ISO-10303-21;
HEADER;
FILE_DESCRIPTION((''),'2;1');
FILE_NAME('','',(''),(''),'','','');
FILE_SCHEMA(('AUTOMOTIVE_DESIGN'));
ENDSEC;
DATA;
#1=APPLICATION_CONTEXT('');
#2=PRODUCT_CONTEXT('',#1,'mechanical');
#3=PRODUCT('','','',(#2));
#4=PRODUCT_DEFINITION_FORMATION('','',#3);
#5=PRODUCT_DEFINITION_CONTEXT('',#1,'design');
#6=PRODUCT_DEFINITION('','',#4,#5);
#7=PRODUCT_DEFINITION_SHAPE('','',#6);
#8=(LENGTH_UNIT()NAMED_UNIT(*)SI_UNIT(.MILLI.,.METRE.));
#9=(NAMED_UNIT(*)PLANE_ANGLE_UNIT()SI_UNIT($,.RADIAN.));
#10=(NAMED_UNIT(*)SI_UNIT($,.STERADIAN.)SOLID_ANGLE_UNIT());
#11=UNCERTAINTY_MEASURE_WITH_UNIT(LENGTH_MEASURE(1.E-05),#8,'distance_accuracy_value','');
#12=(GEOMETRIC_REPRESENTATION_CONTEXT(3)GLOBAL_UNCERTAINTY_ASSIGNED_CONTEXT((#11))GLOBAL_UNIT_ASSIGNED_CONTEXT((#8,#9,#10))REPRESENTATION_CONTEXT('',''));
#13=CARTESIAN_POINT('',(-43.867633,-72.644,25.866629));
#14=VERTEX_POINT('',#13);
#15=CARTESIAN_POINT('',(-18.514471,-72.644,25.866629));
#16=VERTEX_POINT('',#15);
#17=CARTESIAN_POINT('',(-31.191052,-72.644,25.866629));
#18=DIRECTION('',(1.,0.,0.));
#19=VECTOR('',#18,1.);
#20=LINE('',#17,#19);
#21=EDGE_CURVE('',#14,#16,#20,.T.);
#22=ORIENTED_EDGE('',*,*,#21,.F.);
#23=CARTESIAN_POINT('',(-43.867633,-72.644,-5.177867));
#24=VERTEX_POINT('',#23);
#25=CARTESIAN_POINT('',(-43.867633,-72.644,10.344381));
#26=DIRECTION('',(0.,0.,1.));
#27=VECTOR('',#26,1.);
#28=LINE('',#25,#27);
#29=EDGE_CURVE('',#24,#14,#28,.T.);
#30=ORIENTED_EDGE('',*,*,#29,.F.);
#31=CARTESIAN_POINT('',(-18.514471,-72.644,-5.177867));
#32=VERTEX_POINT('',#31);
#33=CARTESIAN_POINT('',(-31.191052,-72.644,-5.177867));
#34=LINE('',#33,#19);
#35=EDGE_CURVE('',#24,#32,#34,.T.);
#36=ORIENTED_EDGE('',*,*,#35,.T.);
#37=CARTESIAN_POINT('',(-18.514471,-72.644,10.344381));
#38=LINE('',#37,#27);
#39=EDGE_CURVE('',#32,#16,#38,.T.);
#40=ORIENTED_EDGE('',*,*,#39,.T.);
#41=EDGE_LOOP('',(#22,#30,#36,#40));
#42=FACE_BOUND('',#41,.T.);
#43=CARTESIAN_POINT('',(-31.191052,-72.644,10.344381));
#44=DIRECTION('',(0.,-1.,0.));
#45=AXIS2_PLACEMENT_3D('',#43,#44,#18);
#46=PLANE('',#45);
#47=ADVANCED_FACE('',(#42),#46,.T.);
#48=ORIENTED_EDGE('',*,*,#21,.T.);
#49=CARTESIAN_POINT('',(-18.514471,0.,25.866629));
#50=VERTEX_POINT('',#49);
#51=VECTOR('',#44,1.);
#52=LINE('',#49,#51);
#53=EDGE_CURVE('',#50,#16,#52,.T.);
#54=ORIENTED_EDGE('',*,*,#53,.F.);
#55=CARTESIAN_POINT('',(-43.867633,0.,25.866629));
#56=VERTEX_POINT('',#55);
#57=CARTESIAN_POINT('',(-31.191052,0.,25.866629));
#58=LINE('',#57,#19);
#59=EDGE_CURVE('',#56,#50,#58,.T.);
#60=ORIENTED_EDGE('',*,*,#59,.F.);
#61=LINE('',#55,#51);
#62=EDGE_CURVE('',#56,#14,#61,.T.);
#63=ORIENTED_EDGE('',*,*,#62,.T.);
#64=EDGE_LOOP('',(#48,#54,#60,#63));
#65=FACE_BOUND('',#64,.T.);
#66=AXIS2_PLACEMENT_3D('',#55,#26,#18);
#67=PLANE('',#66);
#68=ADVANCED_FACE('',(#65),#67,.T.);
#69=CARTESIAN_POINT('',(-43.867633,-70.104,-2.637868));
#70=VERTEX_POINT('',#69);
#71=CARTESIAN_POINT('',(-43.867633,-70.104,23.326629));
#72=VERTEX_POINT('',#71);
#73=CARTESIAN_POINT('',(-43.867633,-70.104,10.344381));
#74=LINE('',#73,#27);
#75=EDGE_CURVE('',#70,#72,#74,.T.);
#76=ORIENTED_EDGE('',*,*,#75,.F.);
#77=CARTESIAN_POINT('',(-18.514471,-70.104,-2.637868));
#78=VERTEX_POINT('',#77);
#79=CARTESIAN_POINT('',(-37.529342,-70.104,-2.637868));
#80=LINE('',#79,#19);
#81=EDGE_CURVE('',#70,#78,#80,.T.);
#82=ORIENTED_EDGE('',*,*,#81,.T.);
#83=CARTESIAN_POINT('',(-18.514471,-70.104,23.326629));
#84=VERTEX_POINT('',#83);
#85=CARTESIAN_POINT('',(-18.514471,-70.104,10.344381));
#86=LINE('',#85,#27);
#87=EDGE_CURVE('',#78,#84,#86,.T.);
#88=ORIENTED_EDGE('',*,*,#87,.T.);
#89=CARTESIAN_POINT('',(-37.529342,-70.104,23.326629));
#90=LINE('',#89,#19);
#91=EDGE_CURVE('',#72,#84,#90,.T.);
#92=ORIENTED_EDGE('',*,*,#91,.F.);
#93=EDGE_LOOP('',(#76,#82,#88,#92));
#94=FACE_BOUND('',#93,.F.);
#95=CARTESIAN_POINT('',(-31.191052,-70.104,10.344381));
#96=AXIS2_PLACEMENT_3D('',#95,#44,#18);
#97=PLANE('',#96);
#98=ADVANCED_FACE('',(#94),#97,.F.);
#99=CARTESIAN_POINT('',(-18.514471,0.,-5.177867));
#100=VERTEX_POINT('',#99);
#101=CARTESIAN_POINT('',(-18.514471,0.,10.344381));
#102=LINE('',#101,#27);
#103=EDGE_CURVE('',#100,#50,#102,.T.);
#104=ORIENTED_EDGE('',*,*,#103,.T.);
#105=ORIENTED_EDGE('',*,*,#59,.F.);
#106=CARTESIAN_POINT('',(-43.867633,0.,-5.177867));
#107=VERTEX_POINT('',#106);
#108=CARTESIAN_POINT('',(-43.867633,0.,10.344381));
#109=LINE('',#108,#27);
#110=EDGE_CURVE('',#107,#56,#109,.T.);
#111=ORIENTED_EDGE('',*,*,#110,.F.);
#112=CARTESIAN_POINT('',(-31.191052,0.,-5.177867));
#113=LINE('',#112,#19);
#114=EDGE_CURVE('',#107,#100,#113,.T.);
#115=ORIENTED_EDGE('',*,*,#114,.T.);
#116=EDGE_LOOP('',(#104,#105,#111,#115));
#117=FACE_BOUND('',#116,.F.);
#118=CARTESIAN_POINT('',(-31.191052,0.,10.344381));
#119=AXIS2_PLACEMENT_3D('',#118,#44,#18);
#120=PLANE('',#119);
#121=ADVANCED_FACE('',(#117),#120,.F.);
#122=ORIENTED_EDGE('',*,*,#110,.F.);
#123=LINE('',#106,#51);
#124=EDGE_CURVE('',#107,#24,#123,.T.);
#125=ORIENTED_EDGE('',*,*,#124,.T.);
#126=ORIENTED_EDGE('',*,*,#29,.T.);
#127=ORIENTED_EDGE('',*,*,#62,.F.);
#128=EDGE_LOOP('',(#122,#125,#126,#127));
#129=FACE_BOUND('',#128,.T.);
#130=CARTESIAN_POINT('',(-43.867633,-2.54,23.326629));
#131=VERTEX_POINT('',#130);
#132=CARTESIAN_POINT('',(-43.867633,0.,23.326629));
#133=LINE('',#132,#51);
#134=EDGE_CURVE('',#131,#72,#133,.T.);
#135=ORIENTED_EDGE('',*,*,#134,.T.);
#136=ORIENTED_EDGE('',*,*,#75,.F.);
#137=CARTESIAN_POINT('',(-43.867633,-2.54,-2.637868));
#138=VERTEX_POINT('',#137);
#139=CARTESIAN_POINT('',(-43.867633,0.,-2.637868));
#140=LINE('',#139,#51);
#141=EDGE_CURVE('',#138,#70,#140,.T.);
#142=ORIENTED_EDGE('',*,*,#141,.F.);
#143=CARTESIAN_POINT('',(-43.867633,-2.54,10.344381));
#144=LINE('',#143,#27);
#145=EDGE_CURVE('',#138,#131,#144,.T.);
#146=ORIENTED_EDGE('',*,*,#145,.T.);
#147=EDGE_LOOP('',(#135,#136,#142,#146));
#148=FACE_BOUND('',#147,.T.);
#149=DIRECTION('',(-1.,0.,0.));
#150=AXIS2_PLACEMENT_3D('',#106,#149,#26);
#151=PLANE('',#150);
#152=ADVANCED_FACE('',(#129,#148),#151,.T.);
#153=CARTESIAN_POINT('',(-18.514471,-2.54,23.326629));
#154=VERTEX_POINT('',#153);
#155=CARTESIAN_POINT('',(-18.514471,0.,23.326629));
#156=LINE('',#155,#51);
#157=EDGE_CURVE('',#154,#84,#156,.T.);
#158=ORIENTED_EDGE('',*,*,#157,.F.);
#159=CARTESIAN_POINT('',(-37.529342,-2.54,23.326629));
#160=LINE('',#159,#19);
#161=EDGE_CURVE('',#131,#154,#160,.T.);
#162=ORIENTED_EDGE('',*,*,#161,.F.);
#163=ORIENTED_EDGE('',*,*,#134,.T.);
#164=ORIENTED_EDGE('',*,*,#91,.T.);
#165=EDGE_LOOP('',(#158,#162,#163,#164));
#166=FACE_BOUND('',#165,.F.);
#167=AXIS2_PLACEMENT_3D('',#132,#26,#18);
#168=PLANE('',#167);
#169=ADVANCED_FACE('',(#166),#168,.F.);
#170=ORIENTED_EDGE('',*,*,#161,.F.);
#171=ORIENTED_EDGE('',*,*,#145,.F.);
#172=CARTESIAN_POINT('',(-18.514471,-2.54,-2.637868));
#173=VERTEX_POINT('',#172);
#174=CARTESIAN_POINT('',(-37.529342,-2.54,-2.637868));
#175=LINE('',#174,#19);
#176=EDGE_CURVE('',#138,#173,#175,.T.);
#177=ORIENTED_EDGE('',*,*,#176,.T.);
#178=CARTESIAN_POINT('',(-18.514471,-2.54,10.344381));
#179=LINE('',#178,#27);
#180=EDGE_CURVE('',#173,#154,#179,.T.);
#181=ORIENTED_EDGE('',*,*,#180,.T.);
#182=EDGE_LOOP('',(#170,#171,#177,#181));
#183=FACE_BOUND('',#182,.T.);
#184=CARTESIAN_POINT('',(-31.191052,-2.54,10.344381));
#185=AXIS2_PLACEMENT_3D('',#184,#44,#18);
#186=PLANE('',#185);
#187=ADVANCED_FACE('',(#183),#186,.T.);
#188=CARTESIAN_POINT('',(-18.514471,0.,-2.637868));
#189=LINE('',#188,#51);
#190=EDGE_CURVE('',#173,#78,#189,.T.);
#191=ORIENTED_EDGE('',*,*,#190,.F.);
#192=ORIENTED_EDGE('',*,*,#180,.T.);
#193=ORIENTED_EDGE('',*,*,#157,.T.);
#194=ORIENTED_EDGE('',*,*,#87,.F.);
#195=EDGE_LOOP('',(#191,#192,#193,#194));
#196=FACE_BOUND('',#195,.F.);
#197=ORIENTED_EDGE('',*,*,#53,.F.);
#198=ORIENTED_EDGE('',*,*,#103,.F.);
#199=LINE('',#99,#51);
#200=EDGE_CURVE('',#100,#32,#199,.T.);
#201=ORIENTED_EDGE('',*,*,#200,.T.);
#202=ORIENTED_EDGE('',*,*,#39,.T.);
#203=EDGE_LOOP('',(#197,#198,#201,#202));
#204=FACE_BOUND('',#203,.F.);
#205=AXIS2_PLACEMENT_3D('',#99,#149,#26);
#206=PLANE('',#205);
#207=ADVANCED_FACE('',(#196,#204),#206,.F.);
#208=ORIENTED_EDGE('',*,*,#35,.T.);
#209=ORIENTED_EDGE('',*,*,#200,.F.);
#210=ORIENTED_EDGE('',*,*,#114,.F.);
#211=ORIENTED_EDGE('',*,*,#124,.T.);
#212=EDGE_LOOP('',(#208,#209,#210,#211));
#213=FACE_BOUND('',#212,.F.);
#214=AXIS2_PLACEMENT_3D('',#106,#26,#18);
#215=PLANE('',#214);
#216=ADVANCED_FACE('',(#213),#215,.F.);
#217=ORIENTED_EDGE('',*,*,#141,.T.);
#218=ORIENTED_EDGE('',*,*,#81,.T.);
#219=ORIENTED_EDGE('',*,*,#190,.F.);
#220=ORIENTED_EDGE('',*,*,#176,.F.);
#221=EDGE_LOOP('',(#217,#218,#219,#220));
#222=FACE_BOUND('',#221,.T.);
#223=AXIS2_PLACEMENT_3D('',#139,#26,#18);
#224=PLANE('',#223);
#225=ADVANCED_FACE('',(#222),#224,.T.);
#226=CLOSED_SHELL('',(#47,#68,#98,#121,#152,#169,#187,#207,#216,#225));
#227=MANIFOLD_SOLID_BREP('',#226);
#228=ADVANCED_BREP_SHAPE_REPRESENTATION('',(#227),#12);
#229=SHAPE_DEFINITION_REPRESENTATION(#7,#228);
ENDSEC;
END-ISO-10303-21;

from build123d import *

# Parameters (mm, degrees)
F0_W     = 25.353162
F0_H     = 31.044497
F1_DEPTH = 72.644
F2_T     = -2.54


with BuildPart() as f1:
    # F0 (on Front) → F1 (new body)
    with BuildSketch(Plane.XZ):
        with Locations((-31.191052, 10.344381)):
            Rectangle(F0_W, F0_H)
    extrude(amount=F1_DEPTH)

    # F2
    f2_openings = [f1.faces().sort_by_distance(p)[0] for p in [
        (-18.514471, -36.322, 10.344381),
        (-43.867633, -36.322, 10.344381),
    ]]
    offset(amount=F2_T, openings=f2_openings)


solid = f1.part
